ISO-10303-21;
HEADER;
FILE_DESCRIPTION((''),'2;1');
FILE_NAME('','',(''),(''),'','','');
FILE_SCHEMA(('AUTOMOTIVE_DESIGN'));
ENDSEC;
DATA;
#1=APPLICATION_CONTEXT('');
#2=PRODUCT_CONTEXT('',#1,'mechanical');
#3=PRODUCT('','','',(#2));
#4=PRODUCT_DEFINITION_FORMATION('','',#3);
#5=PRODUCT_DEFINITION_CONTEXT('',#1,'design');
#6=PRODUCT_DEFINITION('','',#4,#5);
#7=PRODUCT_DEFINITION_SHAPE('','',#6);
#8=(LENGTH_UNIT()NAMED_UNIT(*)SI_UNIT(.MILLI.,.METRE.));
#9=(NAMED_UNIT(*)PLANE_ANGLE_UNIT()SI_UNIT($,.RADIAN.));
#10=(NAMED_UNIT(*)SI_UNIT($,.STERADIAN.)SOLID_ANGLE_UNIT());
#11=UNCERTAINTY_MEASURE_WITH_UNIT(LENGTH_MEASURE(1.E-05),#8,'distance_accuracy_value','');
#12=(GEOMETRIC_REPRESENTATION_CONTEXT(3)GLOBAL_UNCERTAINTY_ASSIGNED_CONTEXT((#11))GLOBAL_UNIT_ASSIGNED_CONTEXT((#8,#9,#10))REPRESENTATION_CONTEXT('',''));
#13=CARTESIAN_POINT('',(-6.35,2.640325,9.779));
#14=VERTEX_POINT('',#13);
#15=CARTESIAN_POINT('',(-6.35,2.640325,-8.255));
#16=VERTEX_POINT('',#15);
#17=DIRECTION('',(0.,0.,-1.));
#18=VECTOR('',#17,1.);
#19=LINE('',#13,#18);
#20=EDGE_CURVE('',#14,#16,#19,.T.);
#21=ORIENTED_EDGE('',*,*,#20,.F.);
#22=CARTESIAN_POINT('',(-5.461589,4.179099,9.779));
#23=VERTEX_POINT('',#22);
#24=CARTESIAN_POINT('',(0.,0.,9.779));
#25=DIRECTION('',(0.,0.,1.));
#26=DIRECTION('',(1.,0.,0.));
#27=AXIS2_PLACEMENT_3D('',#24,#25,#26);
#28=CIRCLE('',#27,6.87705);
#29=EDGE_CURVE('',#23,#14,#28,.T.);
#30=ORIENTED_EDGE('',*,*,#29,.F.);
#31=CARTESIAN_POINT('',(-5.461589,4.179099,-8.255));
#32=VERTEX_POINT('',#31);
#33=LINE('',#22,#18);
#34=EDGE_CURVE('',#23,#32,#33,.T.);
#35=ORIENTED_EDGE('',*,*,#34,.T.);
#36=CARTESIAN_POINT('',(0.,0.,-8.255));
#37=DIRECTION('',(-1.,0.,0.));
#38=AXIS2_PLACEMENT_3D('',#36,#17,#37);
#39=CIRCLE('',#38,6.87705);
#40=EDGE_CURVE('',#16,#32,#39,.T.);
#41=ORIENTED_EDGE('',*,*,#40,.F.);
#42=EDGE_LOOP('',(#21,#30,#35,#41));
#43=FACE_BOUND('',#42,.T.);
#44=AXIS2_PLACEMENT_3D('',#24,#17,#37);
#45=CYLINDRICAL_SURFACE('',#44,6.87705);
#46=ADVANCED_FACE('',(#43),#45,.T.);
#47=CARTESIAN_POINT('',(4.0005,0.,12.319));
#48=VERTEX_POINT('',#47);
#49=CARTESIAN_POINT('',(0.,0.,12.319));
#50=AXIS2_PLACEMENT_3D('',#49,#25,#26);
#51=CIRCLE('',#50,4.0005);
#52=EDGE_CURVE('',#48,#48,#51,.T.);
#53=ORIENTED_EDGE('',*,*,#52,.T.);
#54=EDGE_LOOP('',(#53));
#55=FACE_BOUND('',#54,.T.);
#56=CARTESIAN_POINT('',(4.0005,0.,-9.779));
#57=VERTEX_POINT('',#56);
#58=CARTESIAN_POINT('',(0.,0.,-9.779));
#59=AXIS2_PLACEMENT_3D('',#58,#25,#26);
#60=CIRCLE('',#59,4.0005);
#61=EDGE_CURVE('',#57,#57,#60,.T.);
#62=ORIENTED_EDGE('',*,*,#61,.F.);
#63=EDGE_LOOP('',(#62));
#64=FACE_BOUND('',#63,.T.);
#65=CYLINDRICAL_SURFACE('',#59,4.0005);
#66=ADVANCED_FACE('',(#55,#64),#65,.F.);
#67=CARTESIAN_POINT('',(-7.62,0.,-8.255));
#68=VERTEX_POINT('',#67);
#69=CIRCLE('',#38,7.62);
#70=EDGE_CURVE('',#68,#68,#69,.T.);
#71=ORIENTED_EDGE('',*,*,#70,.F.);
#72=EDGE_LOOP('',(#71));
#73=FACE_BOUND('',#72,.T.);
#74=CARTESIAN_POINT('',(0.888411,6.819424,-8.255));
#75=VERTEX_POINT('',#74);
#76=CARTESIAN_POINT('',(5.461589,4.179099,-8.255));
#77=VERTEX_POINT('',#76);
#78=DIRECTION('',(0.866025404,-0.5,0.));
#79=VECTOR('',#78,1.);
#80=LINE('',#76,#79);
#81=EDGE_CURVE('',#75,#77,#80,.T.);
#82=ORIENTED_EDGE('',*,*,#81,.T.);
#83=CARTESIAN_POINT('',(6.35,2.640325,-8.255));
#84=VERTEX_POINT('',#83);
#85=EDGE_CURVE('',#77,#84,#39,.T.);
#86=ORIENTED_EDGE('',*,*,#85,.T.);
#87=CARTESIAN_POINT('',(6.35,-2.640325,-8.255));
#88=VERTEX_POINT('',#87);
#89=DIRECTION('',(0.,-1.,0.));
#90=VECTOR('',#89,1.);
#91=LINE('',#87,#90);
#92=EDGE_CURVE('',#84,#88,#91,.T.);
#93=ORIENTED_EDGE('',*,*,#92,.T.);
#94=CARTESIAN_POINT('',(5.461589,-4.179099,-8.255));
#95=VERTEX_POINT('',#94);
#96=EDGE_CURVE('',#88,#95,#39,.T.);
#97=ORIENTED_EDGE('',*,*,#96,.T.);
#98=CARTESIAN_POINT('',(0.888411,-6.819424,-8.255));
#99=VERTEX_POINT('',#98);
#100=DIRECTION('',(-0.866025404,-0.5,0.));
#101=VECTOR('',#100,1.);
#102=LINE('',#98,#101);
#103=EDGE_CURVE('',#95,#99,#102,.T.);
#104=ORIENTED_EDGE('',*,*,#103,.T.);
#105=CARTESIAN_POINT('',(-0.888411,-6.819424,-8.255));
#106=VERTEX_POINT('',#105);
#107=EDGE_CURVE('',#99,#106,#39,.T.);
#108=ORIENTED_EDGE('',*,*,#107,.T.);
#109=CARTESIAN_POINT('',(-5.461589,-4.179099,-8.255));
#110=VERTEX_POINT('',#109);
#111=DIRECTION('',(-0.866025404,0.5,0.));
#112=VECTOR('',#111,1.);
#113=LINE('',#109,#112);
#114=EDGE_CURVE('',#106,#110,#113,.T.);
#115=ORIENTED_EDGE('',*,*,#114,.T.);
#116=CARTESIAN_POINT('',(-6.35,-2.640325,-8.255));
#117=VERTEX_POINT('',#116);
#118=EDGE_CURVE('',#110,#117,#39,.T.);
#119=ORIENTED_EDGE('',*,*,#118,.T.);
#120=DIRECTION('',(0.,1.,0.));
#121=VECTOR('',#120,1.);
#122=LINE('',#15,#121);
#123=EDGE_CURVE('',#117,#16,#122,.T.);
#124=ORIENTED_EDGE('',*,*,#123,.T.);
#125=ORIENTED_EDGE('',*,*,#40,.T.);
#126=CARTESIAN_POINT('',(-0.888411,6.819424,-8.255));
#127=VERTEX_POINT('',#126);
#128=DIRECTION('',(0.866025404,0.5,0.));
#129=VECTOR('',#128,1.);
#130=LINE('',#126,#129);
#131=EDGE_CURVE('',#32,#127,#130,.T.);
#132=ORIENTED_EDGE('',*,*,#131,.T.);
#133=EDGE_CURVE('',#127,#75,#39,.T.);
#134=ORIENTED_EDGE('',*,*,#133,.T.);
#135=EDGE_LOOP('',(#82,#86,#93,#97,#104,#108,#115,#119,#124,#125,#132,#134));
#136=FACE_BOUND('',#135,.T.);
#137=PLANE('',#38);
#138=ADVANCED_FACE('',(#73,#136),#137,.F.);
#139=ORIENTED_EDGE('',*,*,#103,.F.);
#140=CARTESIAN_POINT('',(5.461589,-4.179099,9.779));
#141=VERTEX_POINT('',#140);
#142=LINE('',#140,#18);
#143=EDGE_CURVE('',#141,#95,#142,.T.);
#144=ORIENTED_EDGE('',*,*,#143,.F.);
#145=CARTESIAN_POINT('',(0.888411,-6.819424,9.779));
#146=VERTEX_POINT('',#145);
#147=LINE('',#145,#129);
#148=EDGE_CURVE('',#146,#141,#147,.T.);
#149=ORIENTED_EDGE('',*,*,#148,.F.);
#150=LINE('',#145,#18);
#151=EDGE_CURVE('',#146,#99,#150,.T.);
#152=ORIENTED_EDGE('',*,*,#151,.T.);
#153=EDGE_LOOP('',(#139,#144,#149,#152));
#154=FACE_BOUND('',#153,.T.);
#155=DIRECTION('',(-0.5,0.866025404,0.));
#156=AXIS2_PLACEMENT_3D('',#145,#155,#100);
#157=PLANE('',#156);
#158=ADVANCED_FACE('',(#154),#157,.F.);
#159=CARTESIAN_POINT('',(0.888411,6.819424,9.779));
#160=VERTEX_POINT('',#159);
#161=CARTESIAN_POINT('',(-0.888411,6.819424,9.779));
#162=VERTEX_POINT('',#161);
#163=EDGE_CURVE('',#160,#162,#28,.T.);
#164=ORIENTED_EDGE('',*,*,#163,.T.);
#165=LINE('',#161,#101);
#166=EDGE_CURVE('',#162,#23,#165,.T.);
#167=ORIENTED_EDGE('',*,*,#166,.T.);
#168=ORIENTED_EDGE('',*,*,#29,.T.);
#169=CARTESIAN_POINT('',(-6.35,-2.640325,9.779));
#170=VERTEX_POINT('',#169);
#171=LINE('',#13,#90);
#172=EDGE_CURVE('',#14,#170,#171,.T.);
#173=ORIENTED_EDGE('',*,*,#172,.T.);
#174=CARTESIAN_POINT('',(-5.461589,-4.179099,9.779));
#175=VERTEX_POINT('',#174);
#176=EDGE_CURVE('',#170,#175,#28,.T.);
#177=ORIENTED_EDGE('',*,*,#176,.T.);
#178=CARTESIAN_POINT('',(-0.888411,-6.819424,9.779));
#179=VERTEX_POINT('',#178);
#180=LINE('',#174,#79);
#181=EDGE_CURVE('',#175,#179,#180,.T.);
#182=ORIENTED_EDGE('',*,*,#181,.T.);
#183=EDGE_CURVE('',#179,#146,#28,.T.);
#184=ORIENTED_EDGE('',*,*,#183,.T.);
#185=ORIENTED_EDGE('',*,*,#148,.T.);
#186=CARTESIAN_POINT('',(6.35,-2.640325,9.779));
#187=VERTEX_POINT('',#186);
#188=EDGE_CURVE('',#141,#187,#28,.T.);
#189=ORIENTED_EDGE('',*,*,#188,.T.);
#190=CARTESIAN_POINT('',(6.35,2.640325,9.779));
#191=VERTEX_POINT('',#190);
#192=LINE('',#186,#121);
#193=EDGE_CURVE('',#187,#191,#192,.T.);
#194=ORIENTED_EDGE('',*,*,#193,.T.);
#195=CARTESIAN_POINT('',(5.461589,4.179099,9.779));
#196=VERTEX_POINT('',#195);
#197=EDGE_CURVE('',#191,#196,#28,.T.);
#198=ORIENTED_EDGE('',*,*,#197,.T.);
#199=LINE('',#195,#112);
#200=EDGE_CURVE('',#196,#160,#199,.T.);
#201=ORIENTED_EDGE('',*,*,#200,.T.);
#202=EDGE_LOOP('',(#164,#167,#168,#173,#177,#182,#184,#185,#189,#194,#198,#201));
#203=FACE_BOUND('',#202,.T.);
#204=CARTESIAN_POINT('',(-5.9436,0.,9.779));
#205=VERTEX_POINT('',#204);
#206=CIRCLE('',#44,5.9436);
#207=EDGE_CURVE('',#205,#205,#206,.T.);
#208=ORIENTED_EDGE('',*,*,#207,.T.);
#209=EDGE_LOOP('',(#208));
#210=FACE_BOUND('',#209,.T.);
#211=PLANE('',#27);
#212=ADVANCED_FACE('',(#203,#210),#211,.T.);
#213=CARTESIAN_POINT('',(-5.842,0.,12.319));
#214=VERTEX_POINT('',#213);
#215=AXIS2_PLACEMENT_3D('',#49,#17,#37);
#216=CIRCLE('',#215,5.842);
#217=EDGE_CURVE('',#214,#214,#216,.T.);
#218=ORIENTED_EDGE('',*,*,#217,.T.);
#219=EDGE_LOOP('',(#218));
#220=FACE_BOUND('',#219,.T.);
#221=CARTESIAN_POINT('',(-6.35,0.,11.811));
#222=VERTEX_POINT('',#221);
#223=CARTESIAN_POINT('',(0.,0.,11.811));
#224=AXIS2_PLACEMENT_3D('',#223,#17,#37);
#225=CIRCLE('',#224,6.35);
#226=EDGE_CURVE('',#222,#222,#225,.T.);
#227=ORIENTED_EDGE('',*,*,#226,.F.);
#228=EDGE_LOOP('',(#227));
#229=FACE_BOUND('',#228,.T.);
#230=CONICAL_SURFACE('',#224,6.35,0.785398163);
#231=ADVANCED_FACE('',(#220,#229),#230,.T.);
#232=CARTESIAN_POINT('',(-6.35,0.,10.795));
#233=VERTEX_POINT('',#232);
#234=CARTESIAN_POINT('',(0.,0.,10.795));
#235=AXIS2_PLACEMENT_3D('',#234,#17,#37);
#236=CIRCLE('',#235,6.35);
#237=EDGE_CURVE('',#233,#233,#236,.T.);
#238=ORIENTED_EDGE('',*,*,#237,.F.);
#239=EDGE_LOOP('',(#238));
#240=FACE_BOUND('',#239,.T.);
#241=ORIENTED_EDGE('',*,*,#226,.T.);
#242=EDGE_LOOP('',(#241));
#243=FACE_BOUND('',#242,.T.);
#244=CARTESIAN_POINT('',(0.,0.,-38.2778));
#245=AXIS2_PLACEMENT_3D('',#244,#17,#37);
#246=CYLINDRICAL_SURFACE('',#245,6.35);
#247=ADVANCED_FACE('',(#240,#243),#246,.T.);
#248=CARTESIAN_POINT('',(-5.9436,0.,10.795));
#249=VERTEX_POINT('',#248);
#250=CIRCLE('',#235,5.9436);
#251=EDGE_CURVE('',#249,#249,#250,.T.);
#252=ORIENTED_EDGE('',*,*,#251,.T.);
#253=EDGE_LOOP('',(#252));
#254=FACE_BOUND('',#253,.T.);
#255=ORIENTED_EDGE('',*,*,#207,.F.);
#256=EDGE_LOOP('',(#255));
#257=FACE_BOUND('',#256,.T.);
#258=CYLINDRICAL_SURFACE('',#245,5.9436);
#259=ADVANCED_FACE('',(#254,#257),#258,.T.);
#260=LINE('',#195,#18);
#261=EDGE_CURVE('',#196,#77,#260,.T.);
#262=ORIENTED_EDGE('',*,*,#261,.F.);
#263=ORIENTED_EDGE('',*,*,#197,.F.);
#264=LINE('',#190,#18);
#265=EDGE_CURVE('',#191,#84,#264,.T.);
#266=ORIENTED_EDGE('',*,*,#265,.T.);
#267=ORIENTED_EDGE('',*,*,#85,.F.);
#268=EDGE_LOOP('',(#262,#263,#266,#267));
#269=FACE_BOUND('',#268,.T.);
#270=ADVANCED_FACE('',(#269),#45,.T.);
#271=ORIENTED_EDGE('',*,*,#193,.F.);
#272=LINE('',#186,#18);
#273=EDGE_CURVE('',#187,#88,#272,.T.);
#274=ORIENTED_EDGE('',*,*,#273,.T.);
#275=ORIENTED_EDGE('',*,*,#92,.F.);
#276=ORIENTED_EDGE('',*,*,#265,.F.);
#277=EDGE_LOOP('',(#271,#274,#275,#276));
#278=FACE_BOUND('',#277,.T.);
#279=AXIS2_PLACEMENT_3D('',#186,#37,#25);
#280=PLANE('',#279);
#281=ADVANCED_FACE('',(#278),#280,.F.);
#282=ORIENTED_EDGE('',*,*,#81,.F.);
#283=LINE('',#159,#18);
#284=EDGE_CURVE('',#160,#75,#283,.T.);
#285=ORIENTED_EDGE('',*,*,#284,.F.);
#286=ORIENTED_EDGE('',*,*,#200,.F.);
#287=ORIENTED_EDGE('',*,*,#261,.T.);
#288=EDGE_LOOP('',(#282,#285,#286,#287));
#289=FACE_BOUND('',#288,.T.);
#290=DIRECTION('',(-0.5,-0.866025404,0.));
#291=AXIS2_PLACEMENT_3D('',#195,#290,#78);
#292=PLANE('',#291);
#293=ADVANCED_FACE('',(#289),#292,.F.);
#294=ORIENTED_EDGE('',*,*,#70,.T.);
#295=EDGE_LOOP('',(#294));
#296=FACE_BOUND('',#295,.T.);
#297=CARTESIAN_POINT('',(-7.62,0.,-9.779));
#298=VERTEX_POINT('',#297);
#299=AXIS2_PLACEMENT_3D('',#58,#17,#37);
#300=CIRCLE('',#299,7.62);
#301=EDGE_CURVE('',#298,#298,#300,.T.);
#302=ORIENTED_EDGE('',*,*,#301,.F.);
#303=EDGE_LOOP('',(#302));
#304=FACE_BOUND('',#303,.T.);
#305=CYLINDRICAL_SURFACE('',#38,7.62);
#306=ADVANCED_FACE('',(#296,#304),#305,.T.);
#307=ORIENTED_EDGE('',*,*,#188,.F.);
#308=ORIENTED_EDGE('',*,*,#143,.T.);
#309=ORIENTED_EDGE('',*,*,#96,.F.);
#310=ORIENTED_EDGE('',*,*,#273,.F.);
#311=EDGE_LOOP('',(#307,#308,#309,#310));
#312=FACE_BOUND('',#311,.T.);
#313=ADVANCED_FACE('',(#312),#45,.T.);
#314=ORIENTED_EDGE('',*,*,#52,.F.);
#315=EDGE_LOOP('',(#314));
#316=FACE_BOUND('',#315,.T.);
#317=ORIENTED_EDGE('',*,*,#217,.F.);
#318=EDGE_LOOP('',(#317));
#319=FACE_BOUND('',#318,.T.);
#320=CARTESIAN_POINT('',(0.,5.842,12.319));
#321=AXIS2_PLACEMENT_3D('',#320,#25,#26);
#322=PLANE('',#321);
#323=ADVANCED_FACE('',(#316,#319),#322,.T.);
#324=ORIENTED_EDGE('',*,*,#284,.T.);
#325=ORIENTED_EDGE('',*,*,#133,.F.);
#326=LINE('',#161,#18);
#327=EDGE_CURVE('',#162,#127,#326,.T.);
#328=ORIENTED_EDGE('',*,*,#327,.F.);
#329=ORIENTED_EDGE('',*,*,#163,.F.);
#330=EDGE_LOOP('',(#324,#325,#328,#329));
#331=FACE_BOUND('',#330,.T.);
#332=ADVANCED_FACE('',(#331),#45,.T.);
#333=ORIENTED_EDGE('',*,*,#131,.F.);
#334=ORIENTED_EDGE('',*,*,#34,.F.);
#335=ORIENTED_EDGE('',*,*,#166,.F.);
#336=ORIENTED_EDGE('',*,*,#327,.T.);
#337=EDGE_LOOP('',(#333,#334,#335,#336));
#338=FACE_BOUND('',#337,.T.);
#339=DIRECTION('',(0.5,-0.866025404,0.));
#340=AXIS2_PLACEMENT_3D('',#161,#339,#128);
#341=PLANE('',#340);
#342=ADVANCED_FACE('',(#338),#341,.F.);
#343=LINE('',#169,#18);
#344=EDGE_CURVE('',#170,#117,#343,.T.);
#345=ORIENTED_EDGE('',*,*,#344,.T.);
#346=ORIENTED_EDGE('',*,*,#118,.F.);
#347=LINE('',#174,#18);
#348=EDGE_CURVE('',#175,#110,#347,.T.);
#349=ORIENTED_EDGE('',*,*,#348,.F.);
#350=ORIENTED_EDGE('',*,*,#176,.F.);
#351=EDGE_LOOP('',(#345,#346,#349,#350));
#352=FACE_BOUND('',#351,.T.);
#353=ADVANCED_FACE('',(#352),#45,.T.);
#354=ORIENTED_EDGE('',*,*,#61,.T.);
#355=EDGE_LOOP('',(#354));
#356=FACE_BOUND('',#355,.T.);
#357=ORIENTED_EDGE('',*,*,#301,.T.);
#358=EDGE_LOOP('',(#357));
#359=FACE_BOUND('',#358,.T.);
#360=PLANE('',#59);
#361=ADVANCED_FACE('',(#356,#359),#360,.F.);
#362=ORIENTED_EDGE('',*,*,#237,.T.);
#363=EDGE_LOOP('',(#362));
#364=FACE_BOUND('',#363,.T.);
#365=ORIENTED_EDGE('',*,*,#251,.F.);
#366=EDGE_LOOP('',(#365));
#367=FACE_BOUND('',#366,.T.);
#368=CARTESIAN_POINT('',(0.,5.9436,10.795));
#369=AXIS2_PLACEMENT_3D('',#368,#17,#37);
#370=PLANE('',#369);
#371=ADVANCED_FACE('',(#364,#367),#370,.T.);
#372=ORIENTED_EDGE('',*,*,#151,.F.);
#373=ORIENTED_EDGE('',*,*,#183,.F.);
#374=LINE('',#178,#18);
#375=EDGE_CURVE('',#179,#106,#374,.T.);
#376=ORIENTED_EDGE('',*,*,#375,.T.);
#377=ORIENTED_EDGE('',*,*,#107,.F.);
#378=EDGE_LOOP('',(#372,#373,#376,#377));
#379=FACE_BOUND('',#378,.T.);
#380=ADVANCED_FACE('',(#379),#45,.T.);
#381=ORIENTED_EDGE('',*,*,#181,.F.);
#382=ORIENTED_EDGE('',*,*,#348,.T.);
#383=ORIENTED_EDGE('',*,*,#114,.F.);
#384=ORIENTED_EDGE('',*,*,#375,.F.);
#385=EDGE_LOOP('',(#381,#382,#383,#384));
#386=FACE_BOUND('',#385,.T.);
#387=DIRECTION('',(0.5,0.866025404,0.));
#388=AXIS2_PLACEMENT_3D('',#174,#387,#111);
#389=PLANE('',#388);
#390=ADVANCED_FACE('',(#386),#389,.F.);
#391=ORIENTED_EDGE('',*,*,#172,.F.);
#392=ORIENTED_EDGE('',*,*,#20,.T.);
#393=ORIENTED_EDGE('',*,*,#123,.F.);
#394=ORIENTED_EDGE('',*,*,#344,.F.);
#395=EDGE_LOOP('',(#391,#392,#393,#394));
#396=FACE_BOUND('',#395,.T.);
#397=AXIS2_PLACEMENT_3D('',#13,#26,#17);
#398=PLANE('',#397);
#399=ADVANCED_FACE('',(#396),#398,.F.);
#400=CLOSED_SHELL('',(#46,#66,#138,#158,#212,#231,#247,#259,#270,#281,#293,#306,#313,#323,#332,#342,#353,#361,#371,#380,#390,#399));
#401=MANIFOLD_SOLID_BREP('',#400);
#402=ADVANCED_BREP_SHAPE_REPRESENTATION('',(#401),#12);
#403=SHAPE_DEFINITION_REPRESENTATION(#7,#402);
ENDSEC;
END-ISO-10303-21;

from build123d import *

# Parameters (mm, degrees)
SKETCH1_R               = 6.35
BASIC_ROD_DEPTH         = 9.779
BASIC_ROD_DEPTH_BACK    = 9.779
THEX_DEPTH              = 9.779
SKETCH2_R               = 4.0005
INTERNAL_CUT_DEPTH      = 13.319
INTERNAL_CUT_DEPTH_BACK = 10.779
SKETCH9_R               = 7.62
SKETCH9_R_2             = 4.0005
BOSS_EXTRUDE1_DEPTH     = 1.524


with BuildPart() as part:
    # Sketch1 → Basic Rod (new body, two sides)
    with BuildSketch(Plane.XY) as basic_rod_sk:
        Circle(SKETCH1_R)
    extrude(amount=BASIC_ROD_DEPTH)
    extrude(basic_rod_sk.sketch, amount=-BASIC_ROD_DEPTH_BACK)

    # Sketch8 → THex (add, symmetric)
    with BuildSketch(Plane.XY):
        with BuildLine():
            Line((-0.888411378, 6.819423871), (-5.461588622, 4.179098758))
            ThreePointArc((-5.461588622, 4.179098758), (-5.955700003, 3.438525), (-6.35, 2.640325113))
            Line((-6.35, 2.640325113), (-6.35, -2.640325113))
            ThreePointArc((-6.35, -2.640325113), (-5.955700003, -3.438525), (-5.461588622, -4.179098758))
            Line((-5.461588622, -4.179098758), (-0.888411378, -6.819423871))
            ThreePointArc((-0.888411378, -6.819423871), (0, -6.87705), (0.888411378, -6.819423871))
            Line((0.888411378, -6.819423871), (5.461588622, -4.179098758))
            ThreePointArc((5.461588622, -4.179098758), (5.955700003, -3.438525), (6.35, -2.640325113))
            Line((6.35, -2.640325113), (6.35, 2.640325113))
            ThreePointArc((6.35, 2.640325113), (5.955700003, 3.438525), (5.461588622, 4.179098758))
            Line((5.461588622, 4.179098758), (0.888411378, 6.819423871))
            ThreePointArc((0.888411378, 6.819423871), (0, 6.87705), (-0.888411378, 6.819423871))
        make_face()
    extrude(amount=THEX_DEPTH, both=True)

    # Sketch7 → 1stSnapRing (revolve)
    with BuildSketch(Plane(origin=(0, 0, 0), x_dir=(0, 0, -1), z_dir=(1, 0, 0))):
        Polygon((-9.779, 5.9436), (-10.795, 5.9436), (-10.795, 6.35), (-11.811, 6.35), (-12.319, 5.842), (-12.319, 0), (-9.779, 0), align=None)
    revolve(axis=Axis((0, 0, -38.2778), (0, 0, 1)))

    # Sketch2 → Internal Cut (cut, two sides)
    with BuildSketch(Plane.XY) as internal_cut_sk:
        Circle(SKETCH2_R)
    extrude(amount=INTERNAL_CUT_DEPTH, mode=Mode.SUBTRACT)
    extrude(internal_cut_sk.sketch, amount=-INTERNAL_CUT_DEPTH_BACK, mode=Mode.SUBTRACT)

    # Sketch9 → Boss-Extrude1 (add)
    with BuildSketch(Plane(origin=(0, 0, -9.779), x_dir=(-1, 0, 0), z_dir=(0, 0, -1))):
        Circle(SKETCH9_R)
        Circle(SKETCH9_R_2, mode=Mode.SUBTRACT)
    extrude(amount=-BOSS_EXTRUDE1_DEPTH)


solid = part.part
